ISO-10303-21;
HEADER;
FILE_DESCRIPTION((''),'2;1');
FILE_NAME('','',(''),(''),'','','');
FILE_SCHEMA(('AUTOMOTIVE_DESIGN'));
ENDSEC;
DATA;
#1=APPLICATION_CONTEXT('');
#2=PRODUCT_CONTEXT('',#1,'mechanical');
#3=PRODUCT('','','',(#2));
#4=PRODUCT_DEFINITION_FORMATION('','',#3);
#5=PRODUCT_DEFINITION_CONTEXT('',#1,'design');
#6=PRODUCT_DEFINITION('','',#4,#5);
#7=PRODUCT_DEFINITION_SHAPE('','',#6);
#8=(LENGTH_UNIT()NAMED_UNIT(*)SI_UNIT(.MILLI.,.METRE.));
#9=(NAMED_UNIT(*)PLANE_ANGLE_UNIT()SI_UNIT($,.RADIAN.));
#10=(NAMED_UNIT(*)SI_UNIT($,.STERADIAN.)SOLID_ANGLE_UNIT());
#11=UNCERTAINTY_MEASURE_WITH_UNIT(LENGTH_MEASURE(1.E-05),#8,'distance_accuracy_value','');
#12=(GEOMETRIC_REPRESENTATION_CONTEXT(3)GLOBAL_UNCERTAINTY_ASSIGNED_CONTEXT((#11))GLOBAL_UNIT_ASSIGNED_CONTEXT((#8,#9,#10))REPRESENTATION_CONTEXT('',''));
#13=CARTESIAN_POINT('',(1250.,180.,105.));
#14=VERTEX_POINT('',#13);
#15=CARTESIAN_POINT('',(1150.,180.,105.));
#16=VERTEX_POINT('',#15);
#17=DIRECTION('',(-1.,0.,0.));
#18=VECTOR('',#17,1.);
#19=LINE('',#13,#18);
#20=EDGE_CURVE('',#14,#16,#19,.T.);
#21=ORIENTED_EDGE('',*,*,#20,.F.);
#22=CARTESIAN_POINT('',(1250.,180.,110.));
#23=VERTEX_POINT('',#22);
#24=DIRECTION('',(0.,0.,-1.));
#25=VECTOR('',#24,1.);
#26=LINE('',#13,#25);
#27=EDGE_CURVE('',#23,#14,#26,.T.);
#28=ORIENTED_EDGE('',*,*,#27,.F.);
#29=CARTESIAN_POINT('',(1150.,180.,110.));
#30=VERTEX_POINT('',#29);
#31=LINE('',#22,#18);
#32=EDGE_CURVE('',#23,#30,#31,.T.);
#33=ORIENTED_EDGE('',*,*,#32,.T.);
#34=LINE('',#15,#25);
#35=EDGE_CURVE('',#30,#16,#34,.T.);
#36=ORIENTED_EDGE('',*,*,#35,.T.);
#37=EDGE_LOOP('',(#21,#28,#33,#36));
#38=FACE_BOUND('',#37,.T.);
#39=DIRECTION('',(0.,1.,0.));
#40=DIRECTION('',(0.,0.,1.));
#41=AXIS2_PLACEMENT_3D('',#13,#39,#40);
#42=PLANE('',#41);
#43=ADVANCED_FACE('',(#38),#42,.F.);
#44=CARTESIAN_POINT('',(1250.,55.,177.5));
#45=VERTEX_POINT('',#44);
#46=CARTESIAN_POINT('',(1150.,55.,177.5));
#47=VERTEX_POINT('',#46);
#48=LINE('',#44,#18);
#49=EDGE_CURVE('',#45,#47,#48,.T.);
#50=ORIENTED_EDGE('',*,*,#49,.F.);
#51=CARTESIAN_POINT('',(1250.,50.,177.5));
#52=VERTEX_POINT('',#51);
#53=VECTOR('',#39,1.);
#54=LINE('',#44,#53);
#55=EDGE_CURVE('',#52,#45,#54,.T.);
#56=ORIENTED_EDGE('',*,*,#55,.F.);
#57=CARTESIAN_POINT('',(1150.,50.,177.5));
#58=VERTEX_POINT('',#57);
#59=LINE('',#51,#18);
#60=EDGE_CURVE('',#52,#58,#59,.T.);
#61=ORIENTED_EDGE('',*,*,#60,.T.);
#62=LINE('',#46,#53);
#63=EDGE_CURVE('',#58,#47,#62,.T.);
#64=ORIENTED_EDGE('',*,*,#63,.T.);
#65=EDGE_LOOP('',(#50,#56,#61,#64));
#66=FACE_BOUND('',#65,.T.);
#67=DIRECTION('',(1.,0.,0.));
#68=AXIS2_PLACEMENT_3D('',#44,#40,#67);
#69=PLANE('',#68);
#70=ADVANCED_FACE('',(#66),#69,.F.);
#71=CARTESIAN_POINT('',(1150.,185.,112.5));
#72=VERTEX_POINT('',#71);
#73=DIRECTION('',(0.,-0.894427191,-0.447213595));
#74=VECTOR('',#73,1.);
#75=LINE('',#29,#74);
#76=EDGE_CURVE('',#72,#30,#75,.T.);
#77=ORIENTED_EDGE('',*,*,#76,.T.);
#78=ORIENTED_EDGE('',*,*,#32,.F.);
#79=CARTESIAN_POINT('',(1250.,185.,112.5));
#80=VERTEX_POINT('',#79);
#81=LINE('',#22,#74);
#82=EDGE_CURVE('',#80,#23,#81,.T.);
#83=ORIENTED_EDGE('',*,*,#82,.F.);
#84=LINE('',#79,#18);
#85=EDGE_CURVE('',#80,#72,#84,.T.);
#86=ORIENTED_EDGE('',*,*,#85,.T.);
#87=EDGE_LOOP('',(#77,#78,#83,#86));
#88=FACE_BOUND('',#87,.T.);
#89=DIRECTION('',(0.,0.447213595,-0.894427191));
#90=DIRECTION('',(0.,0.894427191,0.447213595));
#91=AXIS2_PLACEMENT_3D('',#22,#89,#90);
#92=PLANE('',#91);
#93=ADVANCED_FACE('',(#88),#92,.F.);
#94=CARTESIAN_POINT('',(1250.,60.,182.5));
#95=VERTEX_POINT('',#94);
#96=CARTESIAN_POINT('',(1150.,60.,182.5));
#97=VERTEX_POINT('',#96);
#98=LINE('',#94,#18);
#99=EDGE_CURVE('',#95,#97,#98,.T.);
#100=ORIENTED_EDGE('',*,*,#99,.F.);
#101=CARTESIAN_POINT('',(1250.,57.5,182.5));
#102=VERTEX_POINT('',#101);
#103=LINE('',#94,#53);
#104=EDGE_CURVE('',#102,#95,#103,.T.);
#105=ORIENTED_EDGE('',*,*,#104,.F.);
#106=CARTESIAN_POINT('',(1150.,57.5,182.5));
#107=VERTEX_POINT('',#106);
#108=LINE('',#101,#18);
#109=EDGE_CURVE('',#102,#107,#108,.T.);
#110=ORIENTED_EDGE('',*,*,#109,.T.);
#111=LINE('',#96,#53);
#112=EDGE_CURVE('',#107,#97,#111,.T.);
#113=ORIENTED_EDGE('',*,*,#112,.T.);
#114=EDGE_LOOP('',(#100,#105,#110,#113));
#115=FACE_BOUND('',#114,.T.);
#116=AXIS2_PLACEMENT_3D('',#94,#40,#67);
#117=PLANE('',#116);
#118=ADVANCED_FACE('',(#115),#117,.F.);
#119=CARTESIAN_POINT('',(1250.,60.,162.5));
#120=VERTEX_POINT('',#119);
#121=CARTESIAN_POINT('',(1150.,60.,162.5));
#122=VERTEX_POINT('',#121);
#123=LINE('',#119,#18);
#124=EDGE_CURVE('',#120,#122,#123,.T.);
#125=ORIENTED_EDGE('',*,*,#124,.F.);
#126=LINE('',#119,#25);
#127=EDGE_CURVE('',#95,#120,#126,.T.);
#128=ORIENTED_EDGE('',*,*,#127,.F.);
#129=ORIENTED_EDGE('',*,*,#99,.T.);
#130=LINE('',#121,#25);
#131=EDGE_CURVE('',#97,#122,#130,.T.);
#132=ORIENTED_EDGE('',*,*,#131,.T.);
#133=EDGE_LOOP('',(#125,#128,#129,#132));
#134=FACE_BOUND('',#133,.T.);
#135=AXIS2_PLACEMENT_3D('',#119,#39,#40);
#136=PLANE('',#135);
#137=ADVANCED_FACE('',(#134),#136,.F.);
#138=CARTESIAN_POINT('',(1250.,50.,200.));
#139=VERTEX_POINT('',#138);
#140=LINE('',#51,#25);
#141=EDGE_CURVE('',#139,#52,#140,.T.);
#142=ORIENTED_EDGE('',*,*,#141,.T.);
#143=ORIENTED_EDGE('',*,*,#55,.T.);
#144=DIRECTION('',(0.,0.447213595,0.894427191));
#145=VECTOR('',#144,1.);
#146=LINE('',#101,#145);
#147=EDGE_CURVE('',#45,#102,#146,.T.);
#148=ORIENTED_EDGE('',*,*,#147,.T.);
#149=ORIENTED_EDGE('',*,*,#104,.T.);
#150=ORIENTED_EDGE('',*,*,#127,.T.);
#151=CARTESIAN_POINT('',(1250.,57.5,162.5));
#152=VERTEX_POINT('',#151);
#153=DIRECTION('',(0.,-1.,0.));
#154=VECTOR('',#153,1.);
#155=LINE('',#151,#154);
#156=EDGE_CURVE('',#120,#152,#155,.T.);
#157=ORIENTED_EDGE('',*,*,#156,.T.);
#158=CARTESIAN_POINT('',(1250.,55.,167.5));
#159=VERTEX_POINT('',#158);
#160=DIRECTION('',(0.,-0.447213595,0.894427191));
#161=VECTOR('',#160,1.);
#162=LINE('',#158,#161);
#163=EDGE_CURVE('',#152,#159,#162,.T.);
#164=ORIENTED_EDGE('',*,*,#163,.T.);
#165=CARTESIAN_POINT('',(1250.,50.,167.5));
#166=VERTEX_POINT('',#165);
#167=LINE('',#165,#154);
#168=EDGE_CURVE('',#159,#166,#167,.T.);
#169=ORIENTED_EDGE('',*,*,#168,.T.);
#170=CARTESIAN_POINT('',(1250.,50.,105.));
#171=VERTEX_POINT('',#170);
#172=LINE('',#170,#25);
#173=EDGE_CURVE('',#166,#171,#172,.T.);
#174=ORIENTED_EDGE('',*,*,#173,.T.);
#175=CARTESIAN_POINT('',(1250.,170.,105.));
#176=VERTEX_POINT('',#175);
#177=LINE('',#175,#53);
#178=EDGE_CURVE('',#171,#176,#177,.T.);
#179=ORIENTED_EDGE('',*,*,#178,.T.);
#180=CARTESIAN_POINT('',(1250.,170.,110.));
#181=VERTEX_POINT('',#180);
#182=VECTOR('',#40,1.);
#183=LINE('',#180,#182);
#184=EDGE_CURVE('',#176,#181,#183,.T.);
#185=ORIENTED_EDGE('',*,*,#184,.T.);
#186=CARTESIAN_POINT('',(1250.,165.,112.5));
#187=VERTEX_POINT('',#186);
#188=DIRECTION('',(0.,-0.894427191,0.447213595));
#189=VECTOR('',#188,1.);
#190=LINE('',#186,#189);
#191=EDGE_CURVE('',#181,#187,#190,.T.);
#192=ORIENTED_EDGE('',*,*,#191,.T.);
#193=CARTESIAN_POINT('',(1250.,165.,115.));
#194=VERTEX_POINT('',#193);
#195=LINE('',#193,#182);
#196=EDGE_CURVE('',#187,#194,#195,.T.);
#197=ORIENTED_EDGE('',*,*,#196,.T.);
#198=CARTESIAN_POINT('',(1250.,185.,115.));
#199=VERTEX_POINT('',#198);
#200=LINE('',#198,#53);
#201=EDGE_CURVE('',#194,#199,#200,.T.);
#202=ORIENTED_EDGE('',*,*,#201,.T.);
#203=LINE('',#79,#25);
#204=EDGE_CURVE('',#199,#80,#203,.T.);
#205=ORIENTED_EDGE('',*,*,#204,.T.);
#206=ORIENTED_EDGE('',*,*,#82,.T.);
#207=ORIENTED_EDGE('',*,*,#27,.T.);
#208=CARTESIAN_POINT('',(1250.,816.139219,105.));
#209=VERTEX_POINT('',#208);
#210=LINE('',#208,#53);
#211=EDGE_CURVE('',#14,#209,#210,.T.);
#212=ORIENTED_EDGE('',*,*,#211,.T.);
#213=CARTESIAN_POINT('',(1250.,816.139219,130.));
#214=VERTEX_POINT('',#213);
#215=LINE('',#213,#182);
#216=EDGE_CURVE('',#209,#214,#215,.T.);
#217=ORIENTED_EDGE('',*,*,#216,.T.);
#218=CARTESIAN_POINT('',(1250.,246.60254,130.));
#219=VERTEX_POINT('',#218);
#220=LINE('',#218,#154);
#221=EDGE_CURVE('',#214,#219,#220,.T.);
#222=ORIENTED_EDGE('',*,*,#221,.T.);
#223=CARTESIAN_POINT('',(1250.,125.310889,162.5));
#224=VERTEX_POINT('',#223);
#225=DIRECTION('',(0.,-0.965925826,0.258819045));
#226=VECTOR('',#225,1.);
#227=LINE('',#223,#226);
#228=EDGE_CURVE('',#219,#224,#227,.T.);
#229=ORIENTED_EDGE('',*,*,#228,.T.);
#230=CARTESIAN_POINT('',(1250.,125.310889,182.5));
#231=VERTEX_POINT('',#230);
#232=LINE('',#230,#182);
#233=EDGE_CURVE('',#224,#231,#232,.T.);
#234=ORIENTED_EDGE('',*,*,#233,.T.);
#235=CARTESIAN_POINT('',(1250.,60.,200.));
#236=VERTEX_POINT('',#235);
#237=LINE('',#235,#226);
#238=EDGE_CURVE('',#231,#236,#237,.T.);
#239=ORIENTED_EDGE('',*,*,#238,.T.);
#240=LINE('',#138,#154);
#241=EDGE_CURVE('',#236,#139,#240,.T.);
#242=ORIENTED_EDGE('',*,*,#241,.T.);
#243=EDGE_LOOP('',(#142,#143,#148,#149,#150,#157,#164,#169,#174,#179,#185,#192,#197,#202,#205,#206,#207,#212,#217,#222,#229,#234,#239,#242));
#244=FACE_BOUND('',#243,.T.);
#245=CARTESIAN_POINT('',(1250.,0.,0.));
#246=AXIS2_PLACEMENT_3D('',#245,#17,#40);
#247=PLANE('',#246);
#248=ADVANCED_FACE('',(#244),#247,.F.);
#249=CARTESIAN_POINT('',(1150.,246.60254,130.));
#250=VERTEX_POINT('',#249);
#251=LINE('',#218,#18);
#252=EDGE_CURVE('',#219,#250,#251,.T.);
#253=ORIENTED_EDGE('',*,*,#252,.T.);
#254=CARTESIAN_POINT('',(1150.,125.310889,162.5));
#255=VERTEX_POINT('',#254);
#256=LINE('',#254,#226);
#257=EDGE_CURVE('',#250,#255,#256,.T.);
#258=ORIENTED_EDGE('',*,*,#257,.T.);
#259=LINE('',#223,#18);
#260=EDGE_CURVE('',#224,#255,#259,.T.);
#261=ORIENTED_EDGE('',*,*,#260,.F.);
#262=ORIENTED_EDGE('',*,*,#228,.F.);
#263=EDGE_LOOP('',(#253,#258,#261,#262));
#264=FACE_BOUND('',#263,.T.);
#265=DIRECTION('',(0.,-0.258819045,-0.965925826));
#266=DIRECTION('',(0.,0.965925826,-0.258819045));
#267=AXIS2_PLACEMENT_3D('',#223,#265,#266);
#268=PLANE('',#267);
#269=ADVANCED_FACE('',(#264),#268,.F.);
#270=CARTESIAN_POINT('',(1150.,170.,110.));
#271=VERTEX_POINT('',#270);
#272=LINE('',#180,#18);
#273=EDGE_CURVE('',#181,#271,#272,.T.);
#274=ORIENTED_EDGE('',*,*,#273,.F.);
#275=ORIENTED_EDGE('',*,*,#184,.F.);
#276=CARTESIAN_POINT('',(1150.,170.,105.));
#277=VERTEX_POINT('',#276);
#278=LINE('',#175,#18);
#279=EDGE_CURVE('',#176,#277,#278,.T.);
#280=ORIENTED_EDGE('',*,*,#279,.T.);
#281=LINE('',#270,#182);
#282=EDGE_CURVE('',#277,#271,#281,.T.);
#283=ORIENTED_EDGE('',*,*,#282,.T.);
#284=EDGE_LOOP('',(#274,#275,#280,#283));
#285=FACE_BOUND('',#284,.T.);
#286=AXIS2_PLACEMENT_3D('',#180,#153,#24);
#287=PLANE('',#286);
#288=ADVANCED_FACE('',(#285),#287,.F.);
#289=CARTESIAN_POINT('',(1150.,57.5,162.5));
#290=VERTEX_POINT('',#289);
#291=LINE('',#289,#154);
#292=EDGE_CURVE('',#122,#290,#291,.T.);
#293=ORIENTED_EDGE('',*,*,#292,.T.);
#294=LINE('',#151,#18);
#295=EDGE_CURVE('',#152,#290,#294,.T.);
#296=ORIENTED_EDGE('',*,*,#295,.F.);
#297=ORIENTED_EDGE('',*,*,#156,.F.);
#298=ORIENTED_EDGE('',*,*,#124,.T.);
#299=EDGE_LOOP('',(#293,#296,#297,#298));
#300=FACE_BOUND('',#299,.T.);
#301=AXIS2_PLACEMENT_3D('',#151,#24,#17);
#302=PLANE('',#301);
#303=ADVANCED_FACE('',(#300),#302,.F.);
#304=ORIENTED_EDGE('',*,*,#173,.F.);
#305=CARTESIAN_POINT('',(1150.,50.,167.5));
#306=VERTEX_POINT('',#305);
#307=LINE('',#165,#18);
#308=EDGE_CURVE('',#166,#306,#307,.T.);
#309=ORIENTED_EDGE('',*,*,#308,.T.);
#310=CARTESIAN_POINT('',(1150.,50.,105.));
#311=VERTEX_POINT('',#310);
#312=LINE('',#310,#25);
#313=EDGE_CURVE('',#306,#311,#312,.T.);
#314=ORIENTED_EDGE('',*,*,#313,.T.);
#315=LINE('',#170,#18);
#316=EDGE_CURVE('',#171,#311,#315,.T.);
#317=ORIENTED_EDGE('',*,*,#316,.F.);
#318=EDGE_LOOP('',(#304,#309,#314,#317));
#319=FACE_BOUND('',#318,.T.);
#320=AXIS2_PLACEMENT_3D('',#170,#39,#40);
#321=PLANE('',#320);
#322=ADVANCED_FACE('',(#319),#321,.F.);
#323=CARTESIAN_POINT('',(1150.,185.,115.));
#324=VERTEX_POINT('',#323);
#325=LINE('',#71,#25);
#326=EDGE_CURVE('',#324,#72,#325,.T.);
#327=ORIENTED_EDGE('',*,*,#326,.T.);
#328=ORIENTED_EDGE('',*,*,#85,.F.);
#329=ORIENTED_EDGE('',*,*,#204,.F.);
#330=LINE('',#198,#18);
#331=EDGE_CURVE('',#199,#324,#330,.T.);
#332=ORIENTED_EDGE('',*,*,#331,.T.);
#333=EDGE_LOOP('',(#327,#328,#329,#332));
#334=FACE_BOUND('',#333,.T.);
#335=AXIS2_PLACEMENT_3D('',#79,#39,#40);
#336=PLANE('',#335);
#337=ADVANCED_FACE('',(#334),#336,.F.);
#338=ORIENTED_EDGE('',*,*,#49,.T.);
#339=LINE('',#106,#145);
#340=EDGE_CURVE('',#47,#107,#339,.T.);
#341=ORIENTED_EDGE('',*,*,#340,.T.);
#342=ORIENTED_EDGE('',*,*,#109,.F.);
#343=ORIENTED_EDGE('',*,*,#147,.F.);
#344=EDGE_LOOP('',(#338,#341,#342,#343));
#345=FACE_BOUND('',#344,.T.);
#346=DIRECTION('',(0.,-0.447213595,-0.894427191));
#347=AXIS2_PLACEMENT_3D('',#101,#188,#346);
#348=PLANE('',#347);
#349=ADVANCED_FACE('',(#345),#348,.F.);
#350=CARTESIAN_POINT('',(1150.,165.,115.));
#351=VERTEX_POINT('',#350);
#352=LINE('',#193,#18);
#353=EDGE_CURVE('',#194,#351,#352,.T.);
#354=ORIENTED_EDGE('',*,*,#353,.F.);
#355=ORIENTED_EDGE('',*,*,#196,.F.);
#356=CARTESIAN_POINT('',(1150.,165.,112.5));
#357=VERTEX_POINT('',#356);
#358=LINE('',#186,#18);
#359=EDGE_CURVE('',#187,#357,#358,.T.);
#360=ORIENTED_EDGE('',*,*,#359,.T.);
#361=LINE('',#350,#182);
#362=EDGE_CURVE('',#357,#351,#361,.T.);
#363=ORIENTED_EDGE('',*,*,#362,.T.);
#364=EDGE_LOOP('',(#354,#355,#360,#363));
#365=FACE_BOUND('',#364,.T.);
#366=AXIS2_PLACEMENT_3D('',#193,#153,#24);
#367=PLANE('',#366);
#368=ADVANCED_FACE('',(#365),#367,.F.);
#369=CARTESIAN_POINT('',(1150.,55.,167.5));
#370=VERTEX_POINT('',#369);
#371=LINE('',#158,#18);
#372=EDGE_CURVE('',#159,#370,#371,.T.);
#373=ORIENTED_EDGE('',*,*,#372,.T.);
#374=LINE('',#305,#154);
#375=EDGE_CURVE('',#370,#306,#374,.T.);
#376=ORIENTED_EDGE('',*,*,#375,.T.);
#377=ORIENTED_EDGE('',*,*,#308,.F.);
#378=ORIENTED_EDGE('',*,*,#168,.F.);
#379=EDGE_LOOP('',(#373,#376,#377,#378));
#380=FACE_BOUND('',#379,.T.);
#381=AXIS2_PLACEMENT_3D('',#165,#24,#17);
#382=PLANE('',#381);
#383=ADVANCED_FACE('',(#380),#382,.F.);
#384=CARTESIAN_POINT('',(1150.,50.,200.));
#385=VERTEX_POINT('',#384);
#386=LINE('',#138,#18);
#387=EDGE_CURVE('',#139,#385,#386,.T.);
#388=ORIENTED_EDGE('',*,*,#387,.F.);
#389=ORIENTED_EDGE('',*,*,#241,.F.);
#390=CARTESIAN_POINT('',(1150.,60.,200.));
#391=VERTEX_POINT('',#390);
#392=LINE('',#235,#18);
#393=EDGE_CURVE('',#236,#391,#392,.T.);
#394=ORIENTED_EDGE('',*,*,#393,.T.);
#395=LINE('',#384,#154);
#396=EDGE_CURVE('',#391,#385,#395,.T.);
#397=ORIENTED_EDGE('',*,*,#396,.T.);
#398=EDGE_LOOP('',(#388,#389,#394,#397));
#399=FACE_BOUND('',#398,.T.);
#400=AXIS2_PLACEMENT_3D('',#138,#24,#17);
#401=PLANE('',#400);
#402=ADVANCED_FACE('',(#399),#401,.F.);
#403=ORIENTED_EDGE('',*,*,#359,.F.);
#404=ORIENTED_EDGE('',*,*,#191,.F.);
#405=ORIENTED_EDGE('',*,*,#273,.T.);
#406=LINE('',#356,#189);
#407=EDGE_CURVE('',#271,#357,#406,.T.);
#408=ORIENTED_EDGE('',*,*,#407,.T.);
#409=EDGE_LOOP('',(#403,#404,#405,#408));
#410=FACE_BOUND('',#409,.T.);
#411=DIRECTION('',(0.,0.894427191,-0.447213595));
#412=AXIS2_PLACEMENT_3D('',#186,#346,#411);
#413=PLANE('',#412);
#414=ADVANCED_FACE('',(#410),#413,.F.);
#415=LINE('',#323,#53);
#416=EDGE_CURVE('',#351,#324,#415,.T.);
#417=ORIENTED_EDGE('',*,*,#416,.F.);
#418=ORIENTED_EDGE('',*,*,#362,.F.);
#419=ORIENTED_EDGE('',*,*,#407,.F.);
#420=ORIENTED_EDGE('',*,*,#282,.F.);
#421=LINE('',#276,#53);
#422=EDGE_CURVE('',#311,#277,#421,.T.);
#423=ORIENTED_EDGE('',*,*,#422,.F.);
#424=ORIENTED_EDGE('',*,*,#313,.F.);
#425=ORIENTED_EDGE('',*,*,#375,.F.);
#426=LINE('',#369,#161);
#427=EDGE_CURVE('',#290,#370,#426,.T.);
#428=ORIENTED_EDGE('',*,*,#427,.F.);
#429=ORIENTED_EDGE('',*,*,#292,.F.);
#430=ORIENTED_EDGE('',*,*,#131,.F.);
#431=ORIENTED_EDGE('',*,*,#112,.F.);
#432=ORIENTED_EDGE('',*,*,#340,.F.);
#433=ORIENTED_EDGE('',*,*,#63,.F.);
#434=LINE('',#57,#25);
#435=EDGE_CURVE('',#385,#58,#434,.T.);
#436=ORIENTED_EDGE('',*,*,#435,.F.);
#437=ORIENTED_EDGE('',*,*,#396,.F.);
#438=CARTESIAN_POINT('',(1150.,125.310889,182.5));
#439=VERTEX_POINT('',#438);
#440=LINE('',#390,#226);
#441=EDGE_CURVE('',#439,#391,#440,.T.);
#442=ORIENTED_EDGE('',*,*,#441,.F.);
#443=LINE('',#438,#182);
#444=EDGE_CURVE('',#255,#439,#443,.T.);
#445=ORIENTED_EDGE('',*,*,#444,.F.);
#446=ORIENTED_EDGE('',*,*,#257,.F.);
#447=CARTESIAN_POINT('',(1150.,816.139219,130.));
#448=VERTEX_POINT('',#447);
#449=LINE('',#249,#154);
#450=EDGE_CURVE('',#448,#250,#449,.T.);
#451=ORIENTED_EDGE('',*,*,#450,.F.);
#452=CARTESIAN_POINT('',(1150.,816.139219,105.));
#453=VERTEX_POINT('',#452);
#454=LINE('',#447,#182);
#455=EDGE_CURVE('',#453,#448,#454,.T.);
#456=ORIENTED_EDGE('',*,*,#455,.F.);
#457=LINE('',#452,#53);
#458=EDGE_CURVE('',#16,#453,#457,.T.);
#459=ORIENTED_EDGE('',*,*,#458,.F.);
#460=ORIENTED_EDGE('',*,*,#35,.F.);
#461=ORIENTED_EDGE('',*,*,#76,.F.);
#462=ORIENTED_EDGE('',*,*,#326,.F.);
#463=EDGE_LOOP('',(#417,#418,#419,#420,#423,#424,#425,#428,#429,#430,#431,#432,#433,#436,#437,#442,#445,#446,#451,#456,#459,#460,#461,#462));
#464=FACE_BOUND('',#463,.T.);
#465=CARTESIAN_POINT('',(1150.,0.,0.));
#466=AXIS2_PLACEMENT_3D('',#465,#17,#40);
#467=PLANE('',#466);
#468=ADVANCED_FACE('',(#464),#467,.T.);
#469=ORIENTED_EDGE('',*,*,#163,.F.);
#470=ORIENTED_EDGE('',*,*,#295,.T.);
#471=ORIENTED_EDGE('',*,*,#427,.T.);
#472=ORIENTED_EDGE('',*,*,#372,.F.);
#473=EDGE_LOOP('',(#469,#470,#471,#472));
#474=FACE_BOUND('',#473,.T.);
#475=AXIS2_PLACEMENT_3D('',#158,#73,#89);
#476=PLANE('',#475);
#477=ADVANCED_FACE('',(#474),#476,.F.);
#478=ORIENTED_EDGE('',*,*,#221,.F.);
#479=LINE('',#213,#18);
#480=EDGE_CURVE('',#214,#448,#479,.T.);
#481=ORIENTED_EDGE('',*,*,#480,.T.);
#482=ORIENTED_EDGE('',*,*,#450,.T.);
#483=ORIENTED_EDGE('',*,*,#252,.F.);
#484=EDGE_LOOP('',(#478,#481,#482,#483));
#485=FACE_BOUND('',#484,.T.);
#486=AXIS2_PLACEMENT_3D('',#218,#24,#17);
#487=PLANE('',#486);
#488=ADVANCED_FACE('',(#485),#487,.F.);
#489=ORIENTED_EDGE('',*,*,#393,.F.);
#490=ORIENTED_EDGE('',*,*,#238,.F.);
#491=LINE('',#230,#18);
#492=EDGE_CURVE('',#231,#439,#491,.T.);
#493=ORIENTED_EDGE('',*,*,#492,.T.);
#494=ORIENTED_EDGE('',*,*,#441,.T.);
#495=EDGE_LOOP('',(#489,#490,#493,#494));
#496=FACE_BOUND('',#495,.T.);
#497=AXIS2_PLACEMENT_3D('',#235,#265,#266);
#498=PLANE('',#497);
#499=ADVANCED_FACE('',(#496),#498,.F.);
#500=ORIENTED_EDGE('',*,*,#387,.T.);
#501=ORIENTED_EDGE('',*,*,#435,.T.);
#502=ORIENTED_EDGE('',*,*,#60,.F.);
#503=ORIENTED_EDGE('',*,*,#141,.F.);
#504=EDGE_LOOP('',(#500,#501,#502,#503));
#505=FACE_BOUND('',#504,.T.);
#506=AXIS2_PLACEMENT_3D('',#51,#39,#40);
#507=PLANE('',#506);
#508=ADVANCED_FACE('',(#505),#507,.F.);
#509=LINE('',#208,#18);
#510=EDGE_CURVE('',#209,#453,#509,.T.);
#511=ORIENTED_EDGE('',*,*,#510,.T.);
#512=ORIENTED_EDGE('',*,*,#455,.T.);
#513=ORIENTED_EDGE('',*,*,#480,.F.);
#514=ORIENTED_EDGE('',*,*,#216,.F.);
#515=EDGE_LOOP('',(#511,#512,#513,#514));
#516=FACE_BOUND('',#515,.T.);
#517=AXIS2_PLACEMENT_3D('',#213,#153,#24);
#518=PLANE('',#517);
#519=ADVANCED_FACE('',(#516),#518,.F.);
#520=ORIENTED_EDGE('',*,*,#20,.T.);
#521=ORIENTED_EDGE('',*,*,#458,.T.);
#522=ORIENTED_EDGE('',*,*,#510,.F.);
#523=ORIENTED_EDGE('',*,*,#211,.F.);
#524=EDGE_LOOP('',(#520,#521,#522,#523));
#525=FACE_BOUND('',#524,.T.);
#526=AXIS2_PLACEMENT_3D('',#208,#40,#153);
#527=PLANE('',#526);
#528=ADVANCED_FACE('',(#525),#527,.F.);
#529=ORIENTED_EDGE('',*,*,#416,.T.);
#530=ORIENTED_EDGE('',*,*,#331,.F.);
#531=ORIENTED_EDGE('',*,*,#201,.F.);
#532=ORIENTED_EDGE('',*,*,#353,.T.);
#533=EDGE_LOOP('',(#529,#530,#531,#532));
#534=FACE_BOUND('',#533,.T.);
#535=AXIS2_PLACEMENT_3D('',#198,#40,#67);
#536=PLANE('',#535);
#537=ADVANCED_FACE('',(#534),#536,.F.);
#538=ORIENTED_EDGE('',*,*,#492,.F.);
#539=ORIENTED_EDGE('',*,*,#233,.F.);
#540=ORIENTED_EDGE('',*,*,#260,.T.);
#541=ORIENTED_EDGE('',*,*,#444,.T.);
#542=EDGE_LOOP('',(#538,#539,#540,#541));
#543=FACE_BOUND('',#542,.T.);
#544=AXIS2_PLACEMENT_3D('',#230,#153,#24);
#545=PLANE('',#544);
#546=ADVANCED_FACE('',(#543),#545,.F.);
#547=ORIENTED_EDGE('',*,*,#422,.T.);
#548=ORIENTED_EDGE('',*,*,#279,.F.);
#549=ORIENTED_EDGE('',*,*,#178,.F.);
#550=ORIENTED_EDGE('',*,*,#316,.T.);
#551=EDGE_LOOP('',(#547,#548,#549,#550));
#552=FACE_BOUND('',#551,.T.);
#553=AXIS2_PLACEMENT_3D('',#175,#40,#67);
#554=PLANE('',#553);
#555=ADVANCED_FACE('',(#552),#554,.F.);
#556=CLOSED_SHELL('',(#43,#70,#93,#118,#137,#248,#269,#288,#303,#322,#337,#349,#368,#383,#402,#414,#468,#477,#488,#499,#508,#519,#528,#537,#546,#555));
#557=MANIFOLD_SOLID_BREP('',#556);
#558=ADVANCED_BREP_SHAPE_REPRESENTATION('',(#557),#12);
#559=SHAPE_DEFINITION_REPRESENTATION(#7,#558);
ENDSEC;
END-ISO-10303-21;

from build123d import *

# Parameters (mm, degrees)
EXTRUDE_1_DEPTH = 100


with BuildPart() as part:
    # 草图1 → 凸台-拉伸1 (new body)
    with BuildSketch(Plane(origin=(1150, 0, 0), x_dir=(0, 0, -1), z_dir=(1, 0, 0))):
        Polygon((-200, 50), (-200, 60), (-182.5, 125.310889132), (-162.5, 125.310889132), (-130, 246.602540378), (-130, 816.13921903), (-105, 816.13921903), (-105, 180), (-110, 180), (-112.5, 185), (-115, 185), (-115, 165), (-112.5, 165), (-110, 170), (-105, 170), (-105, 50), (-167.5, 50), (-167.5, 55), (-162.5, 57.5), (-162.5, 60), (-182.5, 60), (-182.5, 57.5), (-177.5, 55), (-177.5, 50), align=None)
    extrude(amount=EXTRUDE_1_DEPTH)


solid = part.part
